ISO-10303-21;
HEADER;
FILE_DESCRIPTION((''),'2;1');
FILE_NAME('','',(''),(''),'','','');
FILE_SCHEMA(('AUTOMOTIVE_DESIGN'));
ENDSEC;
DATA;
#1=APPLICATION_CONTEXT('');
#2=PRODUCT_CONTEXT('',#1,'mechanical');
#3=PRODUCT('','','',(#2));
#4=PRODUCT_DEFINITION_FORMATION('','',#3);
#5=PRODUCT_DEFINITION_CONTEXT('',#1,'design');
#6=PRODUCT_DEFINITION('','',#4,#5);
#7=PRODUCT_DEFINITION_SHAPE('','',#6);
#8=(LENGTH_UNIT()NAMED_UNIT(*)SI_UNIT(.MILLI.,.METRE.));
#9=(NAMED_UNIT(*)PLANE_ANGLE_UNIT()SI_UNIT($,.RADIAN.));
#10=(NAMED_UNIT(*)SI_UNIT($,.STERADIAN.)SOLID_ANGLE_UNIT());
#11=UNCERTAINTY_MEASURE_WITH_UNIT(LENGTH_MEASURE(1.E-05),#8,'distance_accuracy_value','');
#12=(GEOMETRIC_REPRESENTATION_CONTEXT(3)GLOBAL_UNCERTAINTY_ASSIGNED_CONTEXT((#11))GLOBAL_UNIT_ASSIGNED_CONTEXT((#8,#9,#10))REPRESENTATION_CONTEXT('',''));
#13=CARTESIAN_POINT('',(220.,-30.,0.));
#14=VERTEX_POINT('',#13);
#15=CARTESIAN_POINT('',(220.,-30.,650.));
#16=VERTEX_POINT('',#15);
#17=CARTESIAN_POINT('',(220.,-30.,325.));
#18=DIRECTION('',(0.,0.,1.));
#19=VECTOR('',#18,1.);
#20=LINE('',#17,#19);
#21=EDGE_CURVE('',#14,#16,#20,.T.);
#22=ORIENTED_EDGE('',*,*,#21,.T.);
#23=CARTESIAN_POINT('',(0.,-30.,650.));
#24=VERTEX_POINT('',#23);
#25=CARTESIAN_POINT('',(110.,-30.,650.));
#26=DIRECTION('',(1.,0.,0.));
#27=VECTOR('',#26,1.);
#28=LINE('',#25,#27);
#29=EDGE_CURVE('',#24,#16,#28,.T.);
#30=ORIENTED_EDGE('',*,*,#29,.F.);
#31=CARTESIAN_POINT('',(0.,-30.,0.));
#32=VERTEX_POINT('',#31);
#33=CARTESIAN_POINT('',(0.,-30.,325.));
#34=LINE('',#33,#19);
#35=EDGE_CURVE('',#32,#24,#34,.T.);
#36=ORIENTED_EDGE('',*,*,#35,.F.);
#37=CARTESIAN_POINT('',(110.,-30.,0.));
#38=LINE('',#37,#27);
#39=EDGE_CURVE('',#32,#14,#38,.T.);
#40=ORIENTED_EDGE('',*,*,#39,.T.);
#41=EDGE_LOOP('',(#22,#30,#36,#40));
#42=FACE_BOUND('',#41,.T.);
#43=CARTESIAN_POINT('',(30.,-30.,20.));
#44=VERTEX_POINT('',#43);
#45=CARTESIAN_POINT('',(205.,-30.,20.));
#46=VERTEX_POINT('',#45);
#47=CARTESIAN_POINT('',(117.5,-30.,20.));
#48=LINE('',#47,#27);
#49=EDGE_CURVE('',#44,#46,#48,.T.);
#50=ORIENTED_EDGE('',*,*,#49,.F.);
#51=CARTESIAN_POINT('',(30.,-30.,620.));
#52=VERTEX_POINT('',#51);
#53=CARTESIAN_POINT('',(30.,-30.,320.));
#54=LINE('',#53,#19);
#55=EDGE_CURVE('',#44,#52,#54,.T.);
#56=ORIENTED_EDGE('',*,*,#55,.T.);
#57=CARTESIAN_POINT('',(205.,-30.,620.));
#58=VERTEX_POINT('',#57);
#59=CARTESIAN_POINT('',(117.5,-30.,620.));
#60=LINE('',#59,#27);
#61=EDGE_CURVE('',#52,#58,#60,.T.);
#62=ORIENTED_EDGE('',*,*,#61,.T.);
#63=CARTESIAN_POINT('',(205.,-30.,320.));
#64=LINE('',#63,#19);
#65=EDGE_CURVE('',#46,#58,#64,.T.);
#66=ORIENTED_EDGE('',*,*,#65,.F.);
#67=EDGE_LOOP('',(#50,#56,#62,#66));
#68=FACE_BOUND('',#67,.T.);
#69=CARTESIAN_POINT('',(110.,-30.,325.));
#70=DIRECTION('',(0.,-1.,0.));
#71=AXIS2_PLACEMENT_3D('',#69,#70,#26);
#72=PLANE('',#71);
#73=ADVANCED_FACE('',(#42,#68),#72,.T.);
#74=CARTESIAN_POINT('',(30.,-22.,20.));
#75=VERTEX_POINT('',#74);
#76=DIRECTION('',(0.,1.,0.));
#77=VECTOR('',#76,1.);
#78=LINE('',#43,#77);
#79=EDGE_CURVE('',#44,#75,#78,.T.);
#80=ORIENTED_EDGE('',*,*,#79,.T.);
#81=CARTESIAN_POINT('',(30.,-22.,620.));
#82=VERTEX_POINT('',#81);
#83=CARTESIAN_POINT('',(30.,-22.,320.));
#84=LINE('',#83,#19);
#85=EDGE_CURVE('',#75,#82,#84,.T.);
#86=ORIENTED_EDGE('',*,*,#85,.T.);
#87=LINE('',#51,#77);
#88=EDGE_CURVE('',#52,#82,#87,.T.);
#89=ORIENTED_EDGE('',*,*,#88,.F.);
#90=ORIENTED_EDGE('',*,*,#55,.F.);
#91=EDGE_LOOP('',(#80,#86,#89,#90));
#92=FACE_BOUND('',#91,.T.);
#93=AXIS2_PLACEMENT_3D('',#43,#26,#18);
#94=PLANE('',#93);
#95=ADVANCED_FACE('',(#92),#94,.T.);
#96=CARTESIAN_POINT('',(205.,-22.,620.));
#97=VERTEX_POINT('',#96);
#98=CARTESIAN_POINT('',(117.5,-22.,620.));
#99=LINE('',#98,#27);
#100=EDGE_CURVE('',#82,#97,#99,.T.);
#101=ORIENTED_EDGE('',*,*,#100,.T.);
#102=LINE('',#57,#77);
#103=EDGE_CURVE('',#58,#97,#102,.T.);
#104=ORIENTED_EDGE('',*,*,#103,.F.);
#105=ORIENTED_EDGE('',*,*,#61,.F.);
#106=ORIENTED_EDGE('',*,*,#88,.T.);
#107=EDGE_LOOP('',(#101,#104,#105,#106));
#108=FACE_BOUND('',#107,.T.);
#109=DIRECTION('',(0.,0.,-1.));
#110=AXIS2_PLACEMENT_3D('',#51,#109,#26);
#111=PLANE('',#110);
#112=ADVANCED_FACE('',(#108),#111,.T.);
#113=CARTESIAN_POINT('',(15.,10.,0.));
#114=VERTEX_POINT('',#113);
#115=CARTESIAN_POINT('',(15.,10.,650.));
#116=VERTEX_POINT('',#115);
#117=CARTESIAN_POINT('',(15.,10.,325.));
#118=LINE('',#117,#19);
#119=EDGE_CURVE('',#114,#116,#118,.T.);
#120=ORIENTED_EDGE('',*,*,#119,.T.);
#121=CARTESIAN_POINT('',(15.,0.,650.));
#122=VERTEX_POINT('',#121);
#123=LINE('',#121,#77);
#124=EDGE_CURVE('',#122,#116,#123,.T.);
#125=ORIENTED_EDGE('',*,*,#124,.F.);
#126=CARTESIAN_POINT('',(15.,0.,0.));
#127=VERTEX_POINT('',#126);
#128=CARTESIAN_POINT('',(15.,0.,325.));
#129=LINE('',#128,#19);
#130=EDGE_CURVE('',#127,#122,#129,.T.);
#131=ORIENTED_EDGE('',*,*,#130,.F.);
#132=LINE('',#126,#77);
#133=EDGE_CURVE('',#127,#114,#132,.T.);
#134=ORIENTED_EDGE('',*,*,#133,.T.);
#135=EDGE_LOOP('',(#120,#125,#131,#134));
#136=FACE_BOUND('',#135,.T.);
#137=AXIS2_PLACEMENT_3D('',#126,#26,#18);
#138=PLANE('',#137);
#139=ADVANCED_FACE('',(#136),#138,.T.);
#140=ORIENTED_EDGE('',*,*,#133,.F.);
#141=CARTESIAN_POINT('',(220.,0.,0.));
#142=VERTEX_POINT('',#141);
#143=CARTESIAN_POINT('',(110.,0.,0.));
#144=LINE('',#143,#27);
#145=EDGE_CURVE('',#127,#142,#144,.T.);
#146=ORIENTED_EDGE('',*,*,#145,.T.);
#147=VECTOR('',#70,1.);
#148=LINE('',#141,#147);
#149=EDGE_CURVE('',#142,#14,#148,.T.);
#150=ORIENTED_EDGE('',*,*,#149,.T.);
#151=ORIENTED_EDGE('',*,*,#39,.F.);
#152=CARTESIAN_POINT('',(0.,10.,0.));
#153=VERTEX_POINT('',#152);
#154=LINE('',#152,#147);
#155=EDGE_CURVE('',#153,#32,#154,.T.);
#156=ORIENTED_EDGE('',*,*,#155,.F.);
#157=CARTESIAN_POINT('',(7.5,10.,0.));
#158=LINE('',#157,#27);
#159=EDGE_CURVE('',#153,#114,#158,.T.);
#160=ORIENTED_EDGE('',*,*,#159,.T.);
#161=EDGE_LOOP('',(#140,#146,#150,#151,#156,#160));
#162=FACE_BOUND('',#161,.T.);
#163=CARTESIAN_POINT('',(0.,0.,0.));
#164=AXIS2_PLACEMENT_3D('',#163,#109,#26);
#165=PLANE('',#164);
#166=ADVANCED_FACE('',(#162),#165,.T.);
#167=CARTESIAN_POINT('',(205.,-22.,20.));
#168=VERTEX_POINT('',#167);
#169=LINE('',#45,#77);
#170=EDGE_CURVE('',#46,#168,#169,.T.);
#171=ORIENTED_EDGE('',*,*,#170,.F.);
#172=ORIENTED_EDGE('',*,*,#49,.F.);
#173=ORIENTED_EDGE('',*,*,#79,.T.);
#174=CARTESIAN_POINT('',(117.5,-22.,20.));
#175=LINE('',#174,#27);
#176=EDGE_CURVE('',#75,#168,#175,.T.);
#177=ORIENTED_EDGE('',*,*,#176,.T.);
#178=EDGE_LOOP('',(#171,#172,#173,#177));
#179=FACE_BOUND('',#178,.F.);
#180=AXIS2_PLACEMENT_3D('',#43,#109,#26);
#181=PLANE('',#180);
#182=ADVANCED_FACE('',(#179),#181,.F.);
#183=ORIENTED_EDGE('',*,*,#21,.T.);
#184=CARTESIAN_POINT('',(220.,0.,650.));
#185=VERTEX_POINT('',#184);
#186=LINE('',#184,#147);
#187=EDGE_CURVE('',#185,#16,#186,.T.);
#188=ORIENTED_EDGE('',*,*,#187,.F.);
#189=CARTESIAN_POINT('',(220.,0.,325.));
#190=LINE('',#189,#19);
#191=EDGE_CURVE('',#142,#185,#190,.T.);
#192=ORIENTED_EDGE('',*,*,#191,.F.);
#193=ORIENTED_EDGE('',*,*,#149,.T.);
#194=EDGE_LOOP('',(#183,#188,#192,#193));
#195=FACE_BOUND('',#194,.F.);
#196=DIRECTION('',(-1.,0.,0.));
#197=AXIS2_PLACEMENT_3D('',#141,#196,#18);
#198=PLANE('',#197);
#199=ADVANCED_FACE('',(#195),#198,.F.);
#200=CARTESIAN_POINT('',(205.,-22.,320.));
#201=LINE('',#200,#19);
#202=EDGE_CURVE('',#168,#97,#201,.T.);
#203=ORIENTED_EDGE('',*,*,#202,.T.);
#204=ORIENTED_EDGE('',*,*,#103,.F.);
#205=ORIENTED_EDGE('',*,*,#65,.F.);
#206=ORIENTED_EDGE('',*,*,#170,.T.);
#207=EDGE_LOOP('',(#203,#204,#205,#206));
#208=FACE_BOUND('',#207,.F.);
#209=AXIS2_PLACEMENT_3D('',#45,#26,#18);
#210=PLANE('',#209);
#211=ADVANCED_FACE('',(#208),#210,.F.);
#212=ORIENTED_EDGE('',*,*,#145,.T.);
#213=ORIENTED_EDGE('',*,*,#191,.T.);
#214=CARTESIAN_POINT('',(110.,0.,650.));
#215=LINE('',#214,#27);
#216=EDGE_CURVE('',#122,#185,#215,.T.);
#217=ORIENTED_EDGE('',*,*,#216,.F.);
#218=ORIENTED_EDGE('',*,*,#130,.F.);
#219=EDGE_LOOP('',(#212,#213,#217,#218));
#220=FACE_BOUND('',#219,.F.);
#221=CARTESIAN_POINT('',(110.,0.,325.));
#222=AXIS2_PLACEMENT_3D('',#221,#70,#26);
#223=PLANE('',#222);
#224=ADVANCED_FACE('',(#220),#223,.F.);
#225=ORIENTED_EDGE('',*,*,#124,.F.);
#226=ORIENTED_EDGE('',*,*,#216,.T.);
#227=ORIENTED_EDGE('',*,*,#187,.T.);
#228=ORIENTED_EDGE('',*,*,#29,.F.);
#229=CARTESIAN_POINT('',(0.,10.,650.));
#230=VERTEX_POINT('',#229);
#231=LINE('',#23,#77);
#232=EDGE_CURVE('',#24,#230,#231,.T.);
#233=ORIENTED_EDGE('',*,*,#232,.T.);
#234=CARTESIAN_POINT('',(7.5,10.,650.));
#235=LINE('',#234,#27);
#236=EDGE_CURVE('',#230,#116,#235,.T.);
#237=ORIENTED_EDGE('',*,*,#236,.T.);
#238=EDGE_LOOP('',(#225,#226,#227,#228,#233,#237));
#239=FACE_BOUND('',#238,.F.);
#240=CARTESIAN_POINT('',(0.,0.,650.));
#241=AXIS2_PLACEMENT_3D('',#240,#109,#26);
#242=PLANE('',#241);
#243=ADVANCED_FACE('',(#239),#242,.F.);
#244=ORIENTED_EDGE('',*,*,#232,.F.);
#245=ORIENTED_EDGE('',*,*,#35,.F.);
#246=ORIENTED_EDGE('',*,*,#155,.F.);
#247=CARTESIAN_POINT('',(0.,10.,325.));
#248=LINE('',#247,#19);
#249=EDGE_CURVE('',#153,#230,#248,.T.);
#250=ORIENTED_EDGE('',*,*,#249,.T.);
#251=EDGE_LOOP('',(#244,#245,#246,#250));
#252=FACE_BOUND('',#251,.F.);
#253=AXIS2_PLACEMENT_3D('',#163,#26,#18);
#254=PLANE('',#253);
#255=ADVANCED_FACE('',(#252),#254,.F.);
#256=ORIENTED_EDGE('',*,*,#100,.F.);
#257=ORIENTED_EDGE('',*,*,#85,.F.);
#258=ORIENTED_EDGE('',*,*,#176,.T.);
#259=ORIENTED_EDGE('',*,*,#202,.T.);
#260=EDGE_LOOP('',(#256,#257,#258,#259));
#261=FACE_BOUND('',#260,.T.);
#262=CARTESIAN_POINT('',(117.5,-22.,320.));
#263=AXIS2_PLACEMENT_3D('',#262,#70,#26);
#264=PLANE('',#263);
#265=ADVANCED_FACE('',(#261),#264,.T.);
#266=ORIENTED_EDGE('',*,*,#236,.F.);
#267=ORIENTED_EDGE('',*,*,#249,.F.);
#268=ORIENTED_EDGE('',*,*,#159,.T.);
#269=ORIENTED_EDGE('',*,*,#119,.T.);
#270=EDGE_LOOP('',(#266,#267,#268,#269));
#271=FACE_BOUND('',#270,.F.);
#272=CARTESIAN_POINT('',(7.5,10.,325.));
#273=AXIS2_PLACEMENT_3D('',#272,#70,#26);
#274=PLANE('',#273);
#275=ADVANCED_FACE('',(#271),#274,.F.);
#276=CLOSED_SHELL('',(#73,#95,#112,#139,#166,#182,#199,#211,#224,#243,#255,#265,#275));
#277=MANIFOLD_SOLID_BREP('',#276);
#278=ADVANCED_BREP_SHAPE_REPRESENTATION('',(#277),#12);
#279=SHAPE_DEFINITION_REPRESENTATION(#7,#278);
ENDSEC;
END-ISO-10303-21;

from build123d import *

# Parameters (mm, degrees)
F0_W     = 220
F0_H     = 650
F1_DEPTH = 30
F2_W     = 175
F2_H     = 600
F3_DEPTH = 8
F4_W     = 15
F4_H     = 650
F5_DEPTH = 10


with BuildPart() as f1:
    # F0 (on Front) → F1 (new body)
    with BuildSketch(Plane.XZ):
        with Locations((110, 325)):
            Rectangle(F0_W, F0_H)
    extrude(amount=F1_DEPTH)

    # F2 (on face) → F3 (cut)
    with BuildSketch(Plane.XZ.offset(30)):
        with Locations((117.5, 320)):
            Rectangle(F2_W, F2_H)
    extrude(amount=-F3_DEPTH, mode=Mode.SUBTRACT)

    # F4 (on face) → F5 (join)
    with BuildSketch(Plane.XZ):
        with Locations((7.5, 325)):
            Rectangle(F4_W, F4_H)
    extrude(amount=-F5_DEPTH)


solid = f1.part
